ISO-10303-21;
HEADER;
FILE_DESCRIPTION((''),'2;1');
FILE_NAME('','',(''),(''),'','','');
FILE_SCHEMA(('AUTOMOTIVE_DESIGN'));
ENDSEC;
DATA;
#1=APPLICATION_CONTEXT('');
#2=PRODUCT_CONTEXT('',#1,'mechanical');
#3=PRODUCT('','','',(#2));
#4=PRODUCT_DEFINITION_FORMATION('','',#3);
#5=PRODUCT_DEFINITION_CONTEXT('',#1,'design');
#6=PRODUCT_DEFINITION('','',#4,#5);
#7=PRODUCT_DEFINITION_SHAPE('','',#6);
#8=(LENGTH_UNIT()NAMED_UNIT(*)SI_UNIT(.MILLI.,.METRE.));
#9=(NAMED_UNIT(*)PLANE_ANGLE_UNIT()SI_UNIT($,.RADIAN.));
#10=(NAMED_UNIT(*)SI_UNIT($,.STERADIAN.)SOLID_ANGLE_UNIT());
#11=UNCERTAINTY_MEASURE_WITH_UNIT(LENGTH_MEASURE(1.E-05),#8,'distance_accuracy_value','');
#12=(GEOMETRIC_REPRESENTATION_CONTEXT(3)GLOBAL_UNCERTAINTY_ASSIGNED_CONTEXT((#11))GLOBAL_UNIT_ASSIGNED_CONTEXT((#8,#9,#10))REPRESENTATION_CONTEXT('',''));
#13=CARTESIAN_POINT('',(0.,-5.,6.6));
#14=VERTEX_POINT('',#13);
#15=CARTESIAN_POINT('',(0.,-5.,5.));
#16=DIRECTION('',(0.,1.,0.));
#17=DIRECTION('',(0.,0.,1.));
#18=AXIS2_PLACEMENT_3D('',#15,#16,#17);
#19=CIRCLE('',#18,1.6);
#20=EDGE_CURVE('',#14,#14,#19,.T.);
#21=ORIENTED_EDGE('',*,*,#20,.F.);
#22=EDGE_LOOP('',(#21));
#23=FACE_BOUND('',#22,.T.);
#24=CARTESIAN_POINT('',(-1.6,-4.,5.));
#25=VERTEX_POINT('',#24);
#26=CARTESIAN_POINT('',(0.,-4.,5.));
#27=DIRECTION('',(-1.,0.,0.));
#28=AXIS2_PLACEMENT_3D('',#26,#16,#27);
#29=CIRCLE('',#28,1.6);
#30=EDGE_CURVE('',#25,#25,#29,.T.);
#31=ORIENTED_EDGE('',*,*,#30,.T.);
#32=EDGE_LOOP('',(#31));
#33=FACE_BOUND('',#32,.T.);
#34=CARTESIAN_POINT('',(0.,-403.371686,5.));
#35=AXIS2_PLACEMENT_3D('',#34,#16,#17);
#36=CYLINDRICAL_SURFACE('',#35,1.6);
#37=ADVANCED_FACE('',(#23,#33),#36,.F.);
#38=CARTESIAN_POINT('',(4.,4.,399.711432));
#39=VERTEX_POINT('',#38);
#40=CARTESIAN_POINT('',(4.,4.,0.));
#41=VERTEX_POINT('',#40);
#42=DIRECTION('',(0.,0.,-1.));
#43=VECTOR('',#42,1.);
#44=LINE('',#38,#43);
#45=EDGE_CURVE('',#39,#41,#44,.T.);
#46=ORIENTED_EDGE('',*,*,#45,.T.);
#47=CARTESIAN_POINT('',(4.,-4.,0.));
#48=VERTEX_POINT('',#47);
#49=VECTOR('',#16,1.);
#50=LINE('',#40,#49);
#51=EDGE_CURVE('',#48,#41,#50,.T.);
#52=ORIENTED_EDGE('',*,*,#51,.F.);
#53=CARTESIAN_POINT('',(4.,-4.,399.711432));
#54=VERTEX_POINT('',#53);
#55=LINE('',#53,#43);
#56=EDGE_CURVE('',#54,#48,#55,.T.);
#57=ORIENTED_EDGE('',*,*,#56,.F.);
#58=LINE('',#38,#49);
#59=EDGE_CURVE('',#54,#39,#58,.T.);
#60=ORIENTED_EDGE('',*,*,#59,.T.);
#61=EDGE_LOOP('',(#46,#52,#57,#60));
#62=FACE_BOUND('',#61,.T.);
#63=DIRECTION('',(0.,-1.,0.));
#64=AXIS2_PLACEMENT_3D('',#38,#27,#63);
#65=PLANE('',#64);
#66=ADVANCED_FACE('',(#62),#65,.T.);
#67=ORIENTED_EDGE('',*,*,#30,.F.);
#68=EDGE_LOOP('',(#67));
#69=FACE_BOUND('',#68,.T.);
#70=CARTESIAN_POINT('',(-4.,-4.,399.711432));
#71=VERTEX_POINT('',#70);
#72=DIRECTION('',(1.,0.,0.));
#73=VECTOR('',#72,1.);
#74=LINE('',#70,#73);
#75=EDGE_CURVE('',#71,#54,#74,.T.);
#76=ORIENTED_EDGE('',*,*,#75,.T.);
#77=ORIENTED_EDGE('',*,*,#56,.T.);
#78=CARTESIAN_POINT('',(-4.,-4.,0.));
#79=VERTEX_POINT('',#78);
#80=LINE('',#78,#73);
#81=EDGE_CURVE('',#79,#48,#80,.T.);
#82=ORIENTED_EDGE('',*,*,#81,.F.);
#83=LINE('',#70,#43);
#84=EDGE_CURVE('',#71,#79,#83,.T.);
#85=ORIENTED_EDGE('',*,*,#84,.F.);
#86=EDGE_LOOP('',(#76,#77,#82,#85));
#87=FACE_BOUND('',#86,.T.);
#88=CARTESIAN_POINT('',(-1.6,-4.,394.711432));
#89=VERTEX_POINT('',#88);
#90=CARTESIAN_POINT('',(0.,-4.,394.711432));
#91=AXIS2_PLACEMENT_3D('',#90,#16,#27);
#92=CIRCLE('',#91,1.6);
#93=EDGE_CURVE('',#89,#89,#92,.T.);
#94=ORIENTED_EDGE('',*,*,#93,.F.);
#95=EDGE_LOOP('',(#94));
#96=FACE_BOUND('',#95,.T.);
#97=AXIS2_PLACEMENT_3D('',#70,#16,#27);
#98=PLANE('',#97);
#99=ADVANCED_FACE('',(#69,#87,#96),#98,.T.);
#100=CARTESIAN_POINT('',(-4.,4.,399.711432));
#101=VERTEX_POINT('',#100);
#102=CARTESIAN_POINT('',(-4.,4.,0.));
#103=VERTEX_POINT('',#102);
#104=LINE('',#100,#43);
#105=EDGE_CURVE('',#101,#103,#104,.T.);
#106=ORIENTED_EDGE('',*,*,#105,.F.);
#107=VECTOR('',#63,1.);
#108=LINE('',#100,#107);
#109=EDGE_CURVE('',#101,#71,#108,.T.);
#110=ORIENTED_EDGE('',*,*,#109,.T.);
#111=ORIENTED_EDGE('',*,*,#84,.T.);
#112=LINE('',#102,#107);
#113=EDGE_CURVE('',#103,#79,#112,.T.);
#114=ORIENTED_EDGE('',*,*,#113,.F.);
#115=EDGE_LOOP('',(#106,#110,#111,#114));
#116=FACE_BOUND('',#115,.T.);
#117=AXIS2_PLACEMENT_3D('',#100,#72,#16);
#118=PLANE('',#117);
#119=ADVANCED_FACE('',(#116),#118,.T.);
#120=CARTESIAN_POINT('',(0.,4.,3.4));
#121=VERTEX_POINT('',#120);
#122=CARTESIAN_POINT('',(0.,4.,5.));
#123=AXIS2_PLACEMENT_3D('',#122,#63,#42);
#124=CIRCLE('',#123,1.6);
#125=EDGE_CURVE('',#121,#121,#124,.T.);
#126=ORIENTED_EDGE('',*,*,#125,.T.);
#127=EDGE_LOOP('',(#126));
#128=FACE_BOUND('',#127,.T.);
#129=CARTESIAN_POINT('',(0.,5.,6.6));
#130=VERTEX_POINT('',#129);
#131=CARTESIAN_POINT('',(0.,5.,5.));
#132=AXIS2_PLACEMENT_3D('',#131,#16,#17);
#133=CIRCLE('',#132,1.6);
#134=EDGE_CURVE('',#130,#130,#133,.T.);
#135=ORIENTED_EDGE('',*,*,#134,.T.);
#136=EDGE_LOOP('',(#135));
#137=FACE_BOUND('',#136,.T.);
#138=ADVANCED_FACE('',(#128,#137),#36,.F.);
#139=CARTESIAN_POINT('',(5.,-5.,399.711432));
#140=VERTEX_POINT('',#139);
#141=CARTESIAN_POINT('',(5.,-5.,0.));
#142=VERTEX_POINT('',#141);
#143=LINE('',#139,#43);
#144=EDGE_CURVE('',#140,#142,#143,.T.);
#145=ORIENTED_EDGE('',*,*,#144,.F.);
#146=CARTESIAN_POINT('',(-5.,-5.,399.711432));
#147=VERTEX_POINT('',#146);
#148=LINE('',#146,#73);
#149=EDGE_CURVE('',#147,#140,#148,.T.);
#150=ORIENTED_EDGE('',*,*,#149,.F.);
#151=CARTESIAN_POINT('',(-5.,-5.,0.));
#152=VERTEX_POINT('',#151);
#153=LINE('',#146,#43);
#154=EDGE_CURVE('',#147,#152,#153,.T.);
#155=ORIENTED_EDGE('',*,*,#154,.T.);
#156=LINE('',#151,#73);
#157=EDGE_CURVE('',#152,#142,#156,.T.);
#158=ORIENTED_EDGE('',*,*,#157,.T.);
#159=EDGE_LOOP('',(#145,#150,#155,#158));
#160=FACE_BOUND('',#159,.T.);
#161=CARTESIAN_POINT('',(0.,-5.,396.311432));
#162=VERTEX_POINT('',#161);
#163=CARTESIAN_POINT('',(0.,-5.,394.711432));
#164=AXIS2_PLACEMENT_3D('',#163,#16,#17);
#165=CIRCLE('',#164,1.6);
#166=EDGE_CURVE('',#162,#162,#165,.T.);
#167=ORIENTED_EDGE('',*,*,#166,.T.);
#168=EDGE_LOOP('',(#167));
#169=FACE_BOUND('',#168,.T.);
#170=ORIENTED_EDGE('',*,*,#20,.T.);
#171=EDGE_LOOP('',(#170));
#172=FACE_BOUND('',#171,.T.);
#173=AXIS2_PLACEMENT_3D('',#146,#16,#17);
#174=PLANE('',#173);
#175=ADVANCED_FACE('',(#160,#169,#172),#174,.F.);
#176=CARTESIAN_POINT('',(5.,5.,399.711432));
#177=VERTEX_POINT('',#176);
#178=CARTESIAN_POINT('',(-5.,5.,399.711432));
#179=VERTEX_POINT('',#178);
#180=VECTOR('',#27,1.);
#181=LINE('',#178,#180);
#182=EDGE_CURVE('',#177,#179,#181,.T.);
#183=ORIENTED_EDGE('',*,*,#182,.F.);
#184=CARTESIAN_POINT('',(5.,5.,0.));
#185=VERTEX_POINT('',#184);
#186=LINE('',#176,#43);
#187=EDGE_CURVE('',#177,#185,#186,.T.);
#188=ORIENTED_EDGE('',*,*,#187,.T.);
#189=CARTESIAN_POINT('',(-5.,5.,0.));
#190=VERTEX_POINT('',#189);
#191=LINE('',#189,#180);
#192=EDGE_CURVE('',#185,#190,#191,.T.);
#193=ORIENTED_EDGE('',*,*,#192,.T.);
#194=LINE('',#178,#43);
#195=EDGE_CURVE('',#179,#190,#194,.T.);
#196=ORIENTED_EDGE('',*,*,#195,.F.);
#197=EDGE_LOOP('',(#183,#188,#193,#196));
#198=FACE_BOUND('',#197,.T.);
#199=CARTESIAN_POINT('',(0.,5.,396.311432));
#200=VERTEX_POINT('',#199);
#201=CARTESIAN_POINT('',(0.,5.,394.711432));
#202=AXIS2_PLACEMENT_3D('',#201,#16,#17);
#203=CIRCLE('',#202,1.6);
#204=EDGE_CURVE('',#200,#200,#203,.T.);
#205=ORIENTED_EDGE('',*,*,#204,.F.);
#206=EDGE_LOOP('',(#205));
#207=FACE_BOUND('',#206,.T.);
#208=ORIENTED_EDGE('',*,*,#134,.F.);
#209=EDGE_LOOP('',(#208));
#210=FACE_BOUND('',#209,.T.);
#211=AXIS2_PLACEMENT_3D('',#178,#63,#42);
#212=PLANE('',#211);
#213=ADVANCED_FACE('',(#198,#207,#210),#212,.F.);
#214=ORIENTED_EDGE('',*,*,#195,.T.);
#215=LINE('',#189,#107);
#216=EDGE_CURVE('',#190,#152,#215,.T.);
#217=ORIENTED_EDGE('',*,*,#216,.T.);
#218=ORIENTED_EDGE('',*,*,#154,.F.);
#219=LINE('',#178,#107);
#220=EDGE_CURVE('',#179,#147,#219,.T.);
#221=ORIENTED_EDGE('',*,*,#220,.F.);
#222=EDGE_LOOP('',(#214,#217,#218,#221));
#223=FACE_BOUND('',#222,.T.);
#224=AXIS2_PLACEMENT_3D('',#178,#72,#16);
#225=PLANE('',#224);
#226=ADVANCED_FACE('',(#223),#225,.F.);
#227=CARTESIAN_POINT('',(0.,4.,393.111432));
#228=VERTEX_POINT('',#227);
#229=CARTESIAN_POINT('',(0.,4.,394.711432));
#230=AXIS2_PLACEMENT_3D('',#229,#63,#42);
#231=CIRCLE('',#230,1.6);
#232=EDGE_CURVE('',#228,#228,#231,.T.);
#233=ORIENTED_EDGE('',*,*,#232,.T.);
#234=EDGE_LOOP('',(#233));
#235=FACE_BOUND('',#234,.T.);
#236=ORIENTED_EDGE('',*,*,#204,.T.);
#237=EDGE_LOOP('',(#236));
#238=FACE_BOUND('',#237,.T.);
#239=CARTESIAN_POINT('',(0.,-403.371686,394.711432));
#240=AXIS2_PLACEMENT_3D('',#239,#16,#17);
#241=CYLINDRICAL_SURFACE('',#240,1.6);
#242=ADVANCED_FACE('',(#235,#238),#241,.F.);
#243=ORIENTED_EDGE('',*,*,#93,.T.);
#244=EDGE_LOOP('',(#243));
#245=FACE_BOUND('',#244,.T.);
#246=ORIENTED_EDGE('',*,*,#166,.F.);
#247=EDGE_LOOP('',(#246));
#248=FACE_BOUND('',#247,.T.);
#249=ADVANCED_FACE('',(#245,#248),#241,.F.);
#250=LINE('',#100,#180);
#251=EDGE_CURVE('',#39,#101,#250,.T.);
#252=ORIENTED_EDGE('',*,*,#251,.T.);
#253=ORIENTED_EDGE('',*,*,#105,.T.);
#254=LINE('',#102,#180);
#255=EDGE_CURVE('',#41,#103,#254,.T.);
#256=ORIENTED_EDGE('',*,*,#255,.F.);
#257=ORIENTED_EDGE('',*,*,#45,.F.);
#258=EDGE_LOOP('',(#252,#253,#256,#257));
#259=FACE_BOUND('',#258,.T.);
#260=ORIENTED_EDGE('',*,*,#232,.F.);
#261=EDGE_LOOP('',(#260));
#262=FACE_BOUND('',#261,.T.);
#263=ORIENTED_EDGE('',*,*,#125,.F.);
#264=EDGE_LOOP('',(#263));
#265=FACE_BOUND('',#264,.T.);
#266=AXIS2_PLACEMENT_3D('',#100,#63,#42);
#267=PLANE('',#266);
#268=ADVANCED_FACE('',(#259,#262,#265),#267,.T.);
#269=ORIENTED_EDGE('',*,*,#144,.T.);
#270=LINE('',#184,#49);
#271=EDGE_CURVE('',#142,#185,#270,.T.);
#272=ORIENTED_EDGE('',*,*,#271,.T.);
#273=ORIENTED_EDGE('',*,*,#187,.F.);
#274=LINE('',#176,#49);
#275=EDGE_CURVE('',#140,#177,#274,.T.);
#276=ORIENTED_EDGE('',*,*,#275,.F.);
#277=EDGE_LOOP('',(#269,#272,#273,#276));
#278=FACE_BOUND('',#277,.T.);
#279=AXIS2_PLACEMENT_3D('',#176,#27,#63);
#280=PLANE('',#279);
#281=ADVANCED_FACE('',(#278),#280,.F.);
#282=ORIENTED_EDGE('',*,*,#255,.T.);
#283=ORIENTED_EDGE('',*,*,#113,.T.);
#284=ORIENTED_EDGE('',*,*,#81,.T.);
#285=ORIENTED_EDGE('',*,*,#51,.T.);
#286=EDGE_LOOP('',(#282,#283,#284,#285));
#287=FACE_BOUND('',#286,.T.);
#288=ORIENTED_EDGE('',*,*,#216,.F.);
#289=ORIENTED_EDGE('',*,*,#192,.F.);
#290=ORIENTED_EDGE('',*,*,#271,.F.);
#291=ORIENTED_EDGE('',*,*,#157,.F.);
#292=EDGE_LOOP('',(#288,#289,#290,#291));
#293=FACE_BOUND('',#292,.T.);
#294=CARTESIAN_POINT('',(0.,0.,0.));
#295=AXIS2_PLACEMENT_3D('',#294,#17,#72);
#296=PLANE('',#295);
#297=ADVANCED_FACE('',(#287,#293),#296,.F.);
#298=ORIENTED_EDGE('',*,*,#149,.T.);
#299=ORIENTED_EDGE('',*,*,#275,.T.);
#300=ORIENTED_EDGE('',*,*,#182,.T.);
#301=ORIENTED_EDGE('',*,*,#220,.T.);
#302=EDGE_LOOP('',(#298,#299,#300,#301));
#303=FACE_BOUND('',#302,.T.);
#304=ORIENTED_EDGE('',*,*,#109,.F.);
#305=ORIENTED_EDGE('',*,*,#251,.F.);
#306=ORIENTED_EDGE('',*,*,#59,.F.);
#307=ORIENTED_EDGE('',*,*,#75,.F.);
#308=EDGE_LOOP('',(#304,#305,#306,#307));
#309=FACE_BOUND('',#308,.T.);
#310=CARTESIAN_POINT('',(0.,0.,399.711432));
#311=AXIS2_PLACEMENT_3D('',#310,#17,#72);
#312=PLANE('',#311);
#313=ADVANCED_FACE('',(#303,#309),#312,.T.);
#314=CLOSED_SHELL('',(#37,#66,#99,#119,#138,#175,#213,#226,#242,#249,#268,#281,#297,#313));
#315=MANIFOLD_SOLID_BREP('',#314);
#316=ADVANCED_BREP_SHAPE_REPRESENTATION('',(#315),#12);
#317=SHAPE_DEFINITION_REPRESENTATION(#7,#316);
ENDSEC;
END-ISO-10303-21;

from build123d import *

# Parameters (mm, degrees)
SKETCH_1_W          = 10
SKETCH_1_H          = 10
SKETCH_1_W_2        = 8
SKETCH_1_H_2        = 8
EXTRUDE_1_DEPTH     = 399.7114317
SKETCH_2_R          = 1.6
CUT_EXTRUDE_1_DEPTH = 408.37168574


with BuildPart() as part:
    # ｽｹｯﾁ1 → ﾎﾞｽ - 押し出し1 (new body)
    with BuildSketch(Plane.XY):
        Rectangle(SKETCH_1_W, SKETCH_1_H)
        Rectangle(SKETCH_1_W_2, SKETCH_1_H_2, mode=Mode.SUBTRACT)
    extrude(amount=EXTRUDE_1_DEPTH)

    # ｽｹｯﾁ2 → ｶｯﾄ - 押し出し1 (cut)
    with BuildSketch(Plane(origin=(0, 5, 0), x_dir=(1, 0, 0), z_dir=(0, 1, 0))):
        with Locations(Location((0, -5, 0), (0, 0, 270))):
            Circle(SKETCH_2_R)
        with Locations(Location((0, -394.7114317, 0), (0, 0, 270))):
            Circle(SKETCH_2_R)
    extrude(amount=-CUT_EXTRUDE_1_DEPTH, mode=Mode.SUBTRACT)


solid = part.part
